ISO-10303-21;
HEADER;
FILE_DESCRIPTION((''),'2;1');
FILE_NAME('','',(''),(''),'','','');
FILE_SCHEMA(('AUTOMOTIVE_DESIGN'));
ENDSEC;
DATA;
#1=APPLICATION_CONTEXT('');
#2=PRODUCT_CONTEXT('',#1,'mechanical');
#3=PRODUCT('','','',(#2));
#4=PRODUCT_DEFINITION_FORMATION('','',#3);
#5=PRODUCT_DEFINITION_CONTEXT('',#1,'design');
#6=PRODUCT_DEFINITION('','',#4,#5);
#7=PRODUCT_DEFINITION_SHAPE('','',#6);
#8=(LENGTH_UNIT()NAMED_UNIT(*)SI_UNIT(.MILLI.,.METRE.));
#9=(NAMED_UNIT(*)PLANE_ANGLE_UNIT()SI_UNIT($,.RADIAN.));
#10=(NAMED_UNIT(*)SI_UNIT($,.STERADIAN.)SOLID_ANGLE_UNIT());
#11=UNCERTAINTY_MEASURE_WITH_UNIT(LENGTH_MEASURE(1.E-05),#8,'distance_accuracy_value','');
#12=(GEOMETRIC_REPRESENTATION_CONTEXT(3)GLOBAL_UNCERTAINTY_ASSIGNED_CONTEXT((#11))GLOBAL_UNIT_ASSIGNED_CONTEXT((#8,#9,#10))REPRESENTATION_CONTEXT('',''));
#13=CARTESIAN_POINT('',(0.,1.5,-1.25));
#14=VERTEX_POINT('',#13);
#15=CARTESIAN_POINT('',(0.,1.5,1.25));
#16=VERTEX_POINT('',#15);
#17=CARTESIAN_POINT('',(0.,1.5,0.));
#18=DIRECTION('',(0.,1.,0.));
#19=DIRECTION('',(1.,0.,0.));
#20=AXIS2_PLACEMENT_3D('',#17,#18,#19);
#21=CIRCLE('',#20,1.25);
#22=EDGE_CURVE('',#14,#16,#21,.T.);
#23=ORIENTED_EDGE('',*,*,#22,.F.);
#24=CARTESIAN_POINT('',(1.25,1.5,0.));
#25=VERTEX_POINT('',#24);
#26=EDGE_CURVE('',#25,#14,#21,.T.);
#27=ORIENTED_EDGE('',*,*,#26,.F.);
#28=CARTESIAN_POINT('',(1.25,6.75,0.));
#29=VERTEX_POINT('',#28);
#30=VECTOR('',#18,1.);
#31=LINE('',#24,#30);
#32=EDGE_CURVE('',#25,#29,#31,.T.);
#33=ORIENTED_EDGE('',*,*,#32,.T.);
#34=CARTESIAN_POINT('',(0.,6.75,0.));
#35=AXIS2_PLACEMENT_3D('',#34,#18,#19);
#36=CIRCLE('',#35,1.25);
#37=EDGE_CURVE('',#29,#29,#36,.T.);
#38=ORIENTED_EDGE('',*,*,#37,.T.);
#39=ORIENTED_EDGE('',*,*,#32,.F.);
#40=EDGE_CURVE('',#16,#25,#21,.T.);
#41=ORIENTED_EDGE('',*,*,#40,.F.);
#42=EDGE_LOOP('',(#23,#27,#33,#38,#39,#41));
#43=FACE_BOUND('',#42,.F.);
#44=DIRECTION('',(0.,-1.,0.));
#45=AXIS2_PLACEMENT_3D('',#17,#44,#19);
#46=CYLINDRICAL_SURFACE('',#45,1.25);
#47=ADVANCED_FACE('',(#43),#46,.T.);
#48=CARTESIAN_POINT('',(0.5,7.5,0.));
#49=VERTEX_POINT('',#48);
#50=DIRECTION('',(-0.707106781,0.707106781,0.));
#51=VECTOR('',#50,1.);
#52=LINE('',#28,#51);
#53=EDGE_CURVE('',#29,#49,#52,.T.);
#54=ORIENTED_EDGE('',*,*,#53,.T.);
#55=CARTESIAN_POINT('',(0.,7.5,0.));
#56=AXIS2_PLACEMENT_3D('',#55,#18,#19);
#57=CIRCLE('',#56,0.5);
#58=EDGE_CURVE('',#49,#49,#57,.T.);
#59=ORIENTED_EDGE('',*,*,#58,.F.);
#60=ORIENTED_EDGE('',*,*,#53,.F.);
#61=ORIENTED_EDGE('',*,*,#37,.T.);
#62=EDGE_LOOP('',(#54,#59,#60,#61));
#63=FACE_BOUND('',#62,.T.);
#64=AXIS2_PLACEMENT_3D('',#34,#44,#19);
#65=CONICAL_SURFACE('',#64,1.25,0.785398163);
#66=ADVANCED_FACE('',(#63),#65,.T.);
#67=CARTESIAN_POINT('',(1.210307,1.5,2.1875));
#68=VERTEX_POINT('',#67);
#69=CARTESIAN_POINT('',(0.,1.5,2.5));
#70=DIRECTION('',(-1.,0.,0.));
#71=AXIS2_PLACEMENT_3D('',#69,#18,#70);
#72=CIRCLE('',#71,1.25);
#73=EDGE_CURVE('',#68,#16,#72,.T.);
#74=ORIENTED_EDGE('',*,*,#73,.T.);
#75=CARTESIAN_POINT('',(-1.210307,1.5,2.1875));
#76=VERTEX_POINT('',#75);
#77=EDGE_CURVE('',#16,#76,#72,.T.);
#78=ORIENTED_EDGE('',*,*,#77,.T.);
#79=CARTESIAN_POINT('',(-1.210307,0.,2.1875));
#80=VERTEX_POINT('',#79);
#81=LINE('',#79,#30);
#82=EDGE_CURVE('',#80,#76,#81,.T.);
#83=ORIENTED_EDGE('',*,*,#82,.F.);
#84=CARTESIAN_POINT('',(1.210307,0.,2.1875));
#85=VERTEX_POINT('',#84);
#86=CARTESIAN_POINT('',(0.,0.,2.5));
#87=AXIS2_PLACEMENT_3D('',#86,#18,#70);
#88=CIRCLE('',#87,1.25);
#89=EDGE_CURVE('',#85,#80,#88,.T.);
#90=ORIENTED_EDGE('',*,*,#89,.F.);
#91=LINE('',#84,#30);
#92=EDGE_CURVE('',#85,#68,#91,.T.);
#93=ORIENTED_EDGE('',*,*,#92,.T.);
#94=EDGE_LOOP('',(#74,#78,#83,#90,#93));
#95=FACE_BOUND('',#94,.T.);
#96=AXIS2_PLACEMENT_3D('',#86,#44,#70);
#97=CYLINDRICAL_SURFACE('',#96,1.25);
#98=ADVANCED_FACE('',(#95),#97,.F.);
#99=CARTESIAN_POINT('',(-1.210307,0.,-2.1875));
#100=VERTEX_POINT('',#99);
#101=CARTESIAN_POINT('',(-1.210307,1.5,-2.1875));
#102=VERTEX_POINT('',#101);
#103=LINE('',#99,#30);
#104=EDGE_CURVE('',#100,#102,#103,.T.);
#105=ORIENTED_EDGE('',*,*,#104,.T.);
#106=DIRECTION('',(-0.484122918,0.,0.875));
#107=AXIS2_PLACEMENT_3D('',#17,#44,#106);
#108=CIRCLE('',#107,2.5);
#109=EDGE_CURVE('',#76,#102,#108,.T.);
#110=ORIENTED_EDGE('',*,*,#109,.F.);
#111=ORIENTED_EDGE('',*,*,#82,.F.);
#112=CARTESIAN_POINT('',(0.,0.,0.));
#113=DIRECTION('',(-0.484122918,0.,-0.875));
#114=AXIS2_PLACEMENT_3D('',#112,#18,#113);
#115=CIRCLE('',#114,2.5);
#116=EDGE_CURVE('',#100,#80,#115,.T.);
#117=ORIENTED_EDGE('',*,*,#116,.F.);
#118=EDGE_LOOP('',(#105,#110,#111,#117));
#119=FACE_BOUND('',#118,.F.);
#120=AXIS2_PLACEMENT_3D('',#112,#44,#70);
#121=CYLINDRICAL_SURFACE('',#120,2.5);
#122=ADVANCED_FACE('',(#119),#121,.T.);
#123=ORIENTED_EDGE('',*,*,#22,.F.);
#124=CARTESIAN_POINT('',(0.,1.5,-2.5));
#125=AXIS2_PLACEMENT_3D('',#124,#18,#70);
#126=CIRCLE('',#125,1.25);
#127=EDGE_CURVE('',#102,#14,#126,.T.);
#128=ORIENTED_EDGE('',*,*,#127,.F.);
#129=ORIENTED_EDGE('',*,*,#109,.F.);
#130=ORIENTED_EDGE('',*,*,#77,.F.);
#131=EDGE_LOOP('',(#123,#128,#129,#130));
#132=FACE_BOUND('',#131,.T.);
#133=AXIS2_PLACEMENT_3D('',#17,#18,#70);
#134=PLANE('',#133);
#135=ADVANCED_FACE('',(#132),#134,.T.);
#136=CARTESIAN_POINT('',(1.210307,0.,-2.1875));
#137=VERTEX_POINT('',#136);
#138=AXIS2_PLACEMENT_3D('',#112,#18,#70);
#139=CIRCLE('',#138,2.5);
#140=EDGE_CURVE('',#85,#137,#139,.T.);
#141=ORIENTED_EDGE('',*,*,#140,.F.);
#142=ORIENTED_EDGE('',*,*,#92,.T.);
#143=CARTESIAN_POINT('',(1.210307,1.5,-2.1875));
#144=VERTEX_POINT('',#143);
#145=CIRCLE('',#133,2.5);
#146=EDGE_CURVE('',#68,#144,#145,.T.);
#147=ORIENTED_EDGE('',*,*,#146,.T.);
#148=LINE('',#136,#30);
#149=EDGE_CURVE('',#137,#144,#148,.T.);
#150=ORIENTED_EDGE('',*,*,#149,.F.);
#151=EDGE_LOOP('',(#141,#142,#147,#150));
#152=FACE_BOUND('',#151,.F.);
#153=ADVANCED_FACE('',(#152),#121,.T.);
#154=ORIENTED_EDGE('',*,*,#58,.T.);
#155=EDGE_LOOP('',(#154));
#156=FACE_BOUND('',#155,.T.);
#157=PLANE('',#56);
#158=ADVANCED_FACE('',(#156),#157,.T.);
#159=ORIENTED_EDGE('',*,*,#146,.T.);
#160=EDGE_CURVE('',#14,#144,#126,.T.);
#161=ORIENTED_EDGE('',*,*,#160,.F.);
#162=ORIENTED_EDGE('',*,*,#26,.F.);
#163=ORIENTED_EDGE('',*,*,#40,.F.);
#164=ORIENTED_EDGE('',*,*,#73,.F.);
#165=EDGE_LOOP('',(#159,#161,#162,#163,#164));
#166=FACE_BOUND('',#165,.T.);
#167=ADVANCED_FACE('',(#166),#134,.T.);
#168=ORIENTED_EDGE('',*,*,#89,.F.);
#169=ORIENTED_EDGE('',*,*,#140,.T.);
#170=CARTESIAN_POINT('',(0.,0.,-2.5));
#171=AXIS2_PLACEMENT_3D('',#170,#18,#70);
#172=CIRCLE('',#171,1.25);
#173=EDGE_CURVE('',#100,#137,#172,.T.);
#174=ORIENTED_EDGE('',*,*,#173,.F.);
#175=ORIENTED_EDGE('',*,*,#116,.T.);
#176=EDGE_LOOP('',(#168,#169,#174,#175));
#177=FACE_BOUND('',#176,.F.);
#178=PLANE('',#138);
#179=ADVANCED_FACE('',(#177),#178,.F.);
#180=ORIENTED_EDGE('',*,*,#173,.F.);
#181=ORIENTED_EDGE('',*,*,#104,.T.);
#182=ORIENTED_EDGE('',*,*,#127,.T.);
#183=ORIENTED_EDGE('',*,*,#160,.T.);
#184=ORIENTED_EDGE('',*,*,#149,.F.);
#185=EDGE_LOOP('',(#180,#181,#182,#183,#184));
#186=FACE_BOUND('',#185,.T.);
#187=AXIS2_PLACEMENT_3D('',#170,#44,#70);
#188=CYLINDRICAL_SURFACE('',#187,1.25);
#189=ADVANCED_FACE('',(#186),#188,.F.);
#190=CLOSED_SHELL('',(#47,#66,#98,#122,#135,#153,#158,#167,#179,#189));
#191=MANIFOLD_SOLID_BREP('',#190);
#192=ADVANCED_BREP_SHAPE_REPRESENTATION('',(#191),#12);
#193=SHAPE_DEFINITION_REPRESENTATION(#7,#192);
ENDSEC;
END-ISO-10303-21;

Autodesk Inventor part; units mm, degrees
ref_plane "YZ Plane" through (0, 0, 0) normal (1, 0, 0) x (0, 1, 0)
ref_plane "XZ Plane" through (0, 0, 0) normal (0, 1, 0) x (-1, 0, 0)
ref_plane "XY Plane" through (0, 0, 0) normal (0, 0, 1) x (1, 0, 0)
sketch "Sketch1" plane through (0, 0, 0) normal (0, 1, 0) x (-1, 0, 0)
  circle A0 centre (0, 0) radius 2.5
  circle A1 centre (0, 2.5) radius 1.25
  circle A2 centre (0, -2.5) radius 1.25
  point P0 (-1.2103, -2.1875)
  point P1 (1.2103, -2.1875)
  point P2 (1.2103, 2.1875)
  point P3 (-1.2103, 2.1875)
  dimension "d0" = 5
  dimension "d1" = 2.5
  dimension "d2" = 2.5
extrude "Extrusion1" add sketch "Sketch1" along normal blind 1.5 contours A0 A2 A1
sketch "Sketch2" plane through (0, 1.5, 0) normal (0, 1, 0) x (1, 0, 0)
  circle A0 centre (0, 0) radius 1.25
  dimension "d5" = 2.5
extrude "Extrusion2" add sketch "Sketch2" along normal blind 6
chamfer "Chamfer1" distance 0.75 angle 45 1 edges at (-1.25, 7.5, 0)
properties part number "hot_pin_6"
